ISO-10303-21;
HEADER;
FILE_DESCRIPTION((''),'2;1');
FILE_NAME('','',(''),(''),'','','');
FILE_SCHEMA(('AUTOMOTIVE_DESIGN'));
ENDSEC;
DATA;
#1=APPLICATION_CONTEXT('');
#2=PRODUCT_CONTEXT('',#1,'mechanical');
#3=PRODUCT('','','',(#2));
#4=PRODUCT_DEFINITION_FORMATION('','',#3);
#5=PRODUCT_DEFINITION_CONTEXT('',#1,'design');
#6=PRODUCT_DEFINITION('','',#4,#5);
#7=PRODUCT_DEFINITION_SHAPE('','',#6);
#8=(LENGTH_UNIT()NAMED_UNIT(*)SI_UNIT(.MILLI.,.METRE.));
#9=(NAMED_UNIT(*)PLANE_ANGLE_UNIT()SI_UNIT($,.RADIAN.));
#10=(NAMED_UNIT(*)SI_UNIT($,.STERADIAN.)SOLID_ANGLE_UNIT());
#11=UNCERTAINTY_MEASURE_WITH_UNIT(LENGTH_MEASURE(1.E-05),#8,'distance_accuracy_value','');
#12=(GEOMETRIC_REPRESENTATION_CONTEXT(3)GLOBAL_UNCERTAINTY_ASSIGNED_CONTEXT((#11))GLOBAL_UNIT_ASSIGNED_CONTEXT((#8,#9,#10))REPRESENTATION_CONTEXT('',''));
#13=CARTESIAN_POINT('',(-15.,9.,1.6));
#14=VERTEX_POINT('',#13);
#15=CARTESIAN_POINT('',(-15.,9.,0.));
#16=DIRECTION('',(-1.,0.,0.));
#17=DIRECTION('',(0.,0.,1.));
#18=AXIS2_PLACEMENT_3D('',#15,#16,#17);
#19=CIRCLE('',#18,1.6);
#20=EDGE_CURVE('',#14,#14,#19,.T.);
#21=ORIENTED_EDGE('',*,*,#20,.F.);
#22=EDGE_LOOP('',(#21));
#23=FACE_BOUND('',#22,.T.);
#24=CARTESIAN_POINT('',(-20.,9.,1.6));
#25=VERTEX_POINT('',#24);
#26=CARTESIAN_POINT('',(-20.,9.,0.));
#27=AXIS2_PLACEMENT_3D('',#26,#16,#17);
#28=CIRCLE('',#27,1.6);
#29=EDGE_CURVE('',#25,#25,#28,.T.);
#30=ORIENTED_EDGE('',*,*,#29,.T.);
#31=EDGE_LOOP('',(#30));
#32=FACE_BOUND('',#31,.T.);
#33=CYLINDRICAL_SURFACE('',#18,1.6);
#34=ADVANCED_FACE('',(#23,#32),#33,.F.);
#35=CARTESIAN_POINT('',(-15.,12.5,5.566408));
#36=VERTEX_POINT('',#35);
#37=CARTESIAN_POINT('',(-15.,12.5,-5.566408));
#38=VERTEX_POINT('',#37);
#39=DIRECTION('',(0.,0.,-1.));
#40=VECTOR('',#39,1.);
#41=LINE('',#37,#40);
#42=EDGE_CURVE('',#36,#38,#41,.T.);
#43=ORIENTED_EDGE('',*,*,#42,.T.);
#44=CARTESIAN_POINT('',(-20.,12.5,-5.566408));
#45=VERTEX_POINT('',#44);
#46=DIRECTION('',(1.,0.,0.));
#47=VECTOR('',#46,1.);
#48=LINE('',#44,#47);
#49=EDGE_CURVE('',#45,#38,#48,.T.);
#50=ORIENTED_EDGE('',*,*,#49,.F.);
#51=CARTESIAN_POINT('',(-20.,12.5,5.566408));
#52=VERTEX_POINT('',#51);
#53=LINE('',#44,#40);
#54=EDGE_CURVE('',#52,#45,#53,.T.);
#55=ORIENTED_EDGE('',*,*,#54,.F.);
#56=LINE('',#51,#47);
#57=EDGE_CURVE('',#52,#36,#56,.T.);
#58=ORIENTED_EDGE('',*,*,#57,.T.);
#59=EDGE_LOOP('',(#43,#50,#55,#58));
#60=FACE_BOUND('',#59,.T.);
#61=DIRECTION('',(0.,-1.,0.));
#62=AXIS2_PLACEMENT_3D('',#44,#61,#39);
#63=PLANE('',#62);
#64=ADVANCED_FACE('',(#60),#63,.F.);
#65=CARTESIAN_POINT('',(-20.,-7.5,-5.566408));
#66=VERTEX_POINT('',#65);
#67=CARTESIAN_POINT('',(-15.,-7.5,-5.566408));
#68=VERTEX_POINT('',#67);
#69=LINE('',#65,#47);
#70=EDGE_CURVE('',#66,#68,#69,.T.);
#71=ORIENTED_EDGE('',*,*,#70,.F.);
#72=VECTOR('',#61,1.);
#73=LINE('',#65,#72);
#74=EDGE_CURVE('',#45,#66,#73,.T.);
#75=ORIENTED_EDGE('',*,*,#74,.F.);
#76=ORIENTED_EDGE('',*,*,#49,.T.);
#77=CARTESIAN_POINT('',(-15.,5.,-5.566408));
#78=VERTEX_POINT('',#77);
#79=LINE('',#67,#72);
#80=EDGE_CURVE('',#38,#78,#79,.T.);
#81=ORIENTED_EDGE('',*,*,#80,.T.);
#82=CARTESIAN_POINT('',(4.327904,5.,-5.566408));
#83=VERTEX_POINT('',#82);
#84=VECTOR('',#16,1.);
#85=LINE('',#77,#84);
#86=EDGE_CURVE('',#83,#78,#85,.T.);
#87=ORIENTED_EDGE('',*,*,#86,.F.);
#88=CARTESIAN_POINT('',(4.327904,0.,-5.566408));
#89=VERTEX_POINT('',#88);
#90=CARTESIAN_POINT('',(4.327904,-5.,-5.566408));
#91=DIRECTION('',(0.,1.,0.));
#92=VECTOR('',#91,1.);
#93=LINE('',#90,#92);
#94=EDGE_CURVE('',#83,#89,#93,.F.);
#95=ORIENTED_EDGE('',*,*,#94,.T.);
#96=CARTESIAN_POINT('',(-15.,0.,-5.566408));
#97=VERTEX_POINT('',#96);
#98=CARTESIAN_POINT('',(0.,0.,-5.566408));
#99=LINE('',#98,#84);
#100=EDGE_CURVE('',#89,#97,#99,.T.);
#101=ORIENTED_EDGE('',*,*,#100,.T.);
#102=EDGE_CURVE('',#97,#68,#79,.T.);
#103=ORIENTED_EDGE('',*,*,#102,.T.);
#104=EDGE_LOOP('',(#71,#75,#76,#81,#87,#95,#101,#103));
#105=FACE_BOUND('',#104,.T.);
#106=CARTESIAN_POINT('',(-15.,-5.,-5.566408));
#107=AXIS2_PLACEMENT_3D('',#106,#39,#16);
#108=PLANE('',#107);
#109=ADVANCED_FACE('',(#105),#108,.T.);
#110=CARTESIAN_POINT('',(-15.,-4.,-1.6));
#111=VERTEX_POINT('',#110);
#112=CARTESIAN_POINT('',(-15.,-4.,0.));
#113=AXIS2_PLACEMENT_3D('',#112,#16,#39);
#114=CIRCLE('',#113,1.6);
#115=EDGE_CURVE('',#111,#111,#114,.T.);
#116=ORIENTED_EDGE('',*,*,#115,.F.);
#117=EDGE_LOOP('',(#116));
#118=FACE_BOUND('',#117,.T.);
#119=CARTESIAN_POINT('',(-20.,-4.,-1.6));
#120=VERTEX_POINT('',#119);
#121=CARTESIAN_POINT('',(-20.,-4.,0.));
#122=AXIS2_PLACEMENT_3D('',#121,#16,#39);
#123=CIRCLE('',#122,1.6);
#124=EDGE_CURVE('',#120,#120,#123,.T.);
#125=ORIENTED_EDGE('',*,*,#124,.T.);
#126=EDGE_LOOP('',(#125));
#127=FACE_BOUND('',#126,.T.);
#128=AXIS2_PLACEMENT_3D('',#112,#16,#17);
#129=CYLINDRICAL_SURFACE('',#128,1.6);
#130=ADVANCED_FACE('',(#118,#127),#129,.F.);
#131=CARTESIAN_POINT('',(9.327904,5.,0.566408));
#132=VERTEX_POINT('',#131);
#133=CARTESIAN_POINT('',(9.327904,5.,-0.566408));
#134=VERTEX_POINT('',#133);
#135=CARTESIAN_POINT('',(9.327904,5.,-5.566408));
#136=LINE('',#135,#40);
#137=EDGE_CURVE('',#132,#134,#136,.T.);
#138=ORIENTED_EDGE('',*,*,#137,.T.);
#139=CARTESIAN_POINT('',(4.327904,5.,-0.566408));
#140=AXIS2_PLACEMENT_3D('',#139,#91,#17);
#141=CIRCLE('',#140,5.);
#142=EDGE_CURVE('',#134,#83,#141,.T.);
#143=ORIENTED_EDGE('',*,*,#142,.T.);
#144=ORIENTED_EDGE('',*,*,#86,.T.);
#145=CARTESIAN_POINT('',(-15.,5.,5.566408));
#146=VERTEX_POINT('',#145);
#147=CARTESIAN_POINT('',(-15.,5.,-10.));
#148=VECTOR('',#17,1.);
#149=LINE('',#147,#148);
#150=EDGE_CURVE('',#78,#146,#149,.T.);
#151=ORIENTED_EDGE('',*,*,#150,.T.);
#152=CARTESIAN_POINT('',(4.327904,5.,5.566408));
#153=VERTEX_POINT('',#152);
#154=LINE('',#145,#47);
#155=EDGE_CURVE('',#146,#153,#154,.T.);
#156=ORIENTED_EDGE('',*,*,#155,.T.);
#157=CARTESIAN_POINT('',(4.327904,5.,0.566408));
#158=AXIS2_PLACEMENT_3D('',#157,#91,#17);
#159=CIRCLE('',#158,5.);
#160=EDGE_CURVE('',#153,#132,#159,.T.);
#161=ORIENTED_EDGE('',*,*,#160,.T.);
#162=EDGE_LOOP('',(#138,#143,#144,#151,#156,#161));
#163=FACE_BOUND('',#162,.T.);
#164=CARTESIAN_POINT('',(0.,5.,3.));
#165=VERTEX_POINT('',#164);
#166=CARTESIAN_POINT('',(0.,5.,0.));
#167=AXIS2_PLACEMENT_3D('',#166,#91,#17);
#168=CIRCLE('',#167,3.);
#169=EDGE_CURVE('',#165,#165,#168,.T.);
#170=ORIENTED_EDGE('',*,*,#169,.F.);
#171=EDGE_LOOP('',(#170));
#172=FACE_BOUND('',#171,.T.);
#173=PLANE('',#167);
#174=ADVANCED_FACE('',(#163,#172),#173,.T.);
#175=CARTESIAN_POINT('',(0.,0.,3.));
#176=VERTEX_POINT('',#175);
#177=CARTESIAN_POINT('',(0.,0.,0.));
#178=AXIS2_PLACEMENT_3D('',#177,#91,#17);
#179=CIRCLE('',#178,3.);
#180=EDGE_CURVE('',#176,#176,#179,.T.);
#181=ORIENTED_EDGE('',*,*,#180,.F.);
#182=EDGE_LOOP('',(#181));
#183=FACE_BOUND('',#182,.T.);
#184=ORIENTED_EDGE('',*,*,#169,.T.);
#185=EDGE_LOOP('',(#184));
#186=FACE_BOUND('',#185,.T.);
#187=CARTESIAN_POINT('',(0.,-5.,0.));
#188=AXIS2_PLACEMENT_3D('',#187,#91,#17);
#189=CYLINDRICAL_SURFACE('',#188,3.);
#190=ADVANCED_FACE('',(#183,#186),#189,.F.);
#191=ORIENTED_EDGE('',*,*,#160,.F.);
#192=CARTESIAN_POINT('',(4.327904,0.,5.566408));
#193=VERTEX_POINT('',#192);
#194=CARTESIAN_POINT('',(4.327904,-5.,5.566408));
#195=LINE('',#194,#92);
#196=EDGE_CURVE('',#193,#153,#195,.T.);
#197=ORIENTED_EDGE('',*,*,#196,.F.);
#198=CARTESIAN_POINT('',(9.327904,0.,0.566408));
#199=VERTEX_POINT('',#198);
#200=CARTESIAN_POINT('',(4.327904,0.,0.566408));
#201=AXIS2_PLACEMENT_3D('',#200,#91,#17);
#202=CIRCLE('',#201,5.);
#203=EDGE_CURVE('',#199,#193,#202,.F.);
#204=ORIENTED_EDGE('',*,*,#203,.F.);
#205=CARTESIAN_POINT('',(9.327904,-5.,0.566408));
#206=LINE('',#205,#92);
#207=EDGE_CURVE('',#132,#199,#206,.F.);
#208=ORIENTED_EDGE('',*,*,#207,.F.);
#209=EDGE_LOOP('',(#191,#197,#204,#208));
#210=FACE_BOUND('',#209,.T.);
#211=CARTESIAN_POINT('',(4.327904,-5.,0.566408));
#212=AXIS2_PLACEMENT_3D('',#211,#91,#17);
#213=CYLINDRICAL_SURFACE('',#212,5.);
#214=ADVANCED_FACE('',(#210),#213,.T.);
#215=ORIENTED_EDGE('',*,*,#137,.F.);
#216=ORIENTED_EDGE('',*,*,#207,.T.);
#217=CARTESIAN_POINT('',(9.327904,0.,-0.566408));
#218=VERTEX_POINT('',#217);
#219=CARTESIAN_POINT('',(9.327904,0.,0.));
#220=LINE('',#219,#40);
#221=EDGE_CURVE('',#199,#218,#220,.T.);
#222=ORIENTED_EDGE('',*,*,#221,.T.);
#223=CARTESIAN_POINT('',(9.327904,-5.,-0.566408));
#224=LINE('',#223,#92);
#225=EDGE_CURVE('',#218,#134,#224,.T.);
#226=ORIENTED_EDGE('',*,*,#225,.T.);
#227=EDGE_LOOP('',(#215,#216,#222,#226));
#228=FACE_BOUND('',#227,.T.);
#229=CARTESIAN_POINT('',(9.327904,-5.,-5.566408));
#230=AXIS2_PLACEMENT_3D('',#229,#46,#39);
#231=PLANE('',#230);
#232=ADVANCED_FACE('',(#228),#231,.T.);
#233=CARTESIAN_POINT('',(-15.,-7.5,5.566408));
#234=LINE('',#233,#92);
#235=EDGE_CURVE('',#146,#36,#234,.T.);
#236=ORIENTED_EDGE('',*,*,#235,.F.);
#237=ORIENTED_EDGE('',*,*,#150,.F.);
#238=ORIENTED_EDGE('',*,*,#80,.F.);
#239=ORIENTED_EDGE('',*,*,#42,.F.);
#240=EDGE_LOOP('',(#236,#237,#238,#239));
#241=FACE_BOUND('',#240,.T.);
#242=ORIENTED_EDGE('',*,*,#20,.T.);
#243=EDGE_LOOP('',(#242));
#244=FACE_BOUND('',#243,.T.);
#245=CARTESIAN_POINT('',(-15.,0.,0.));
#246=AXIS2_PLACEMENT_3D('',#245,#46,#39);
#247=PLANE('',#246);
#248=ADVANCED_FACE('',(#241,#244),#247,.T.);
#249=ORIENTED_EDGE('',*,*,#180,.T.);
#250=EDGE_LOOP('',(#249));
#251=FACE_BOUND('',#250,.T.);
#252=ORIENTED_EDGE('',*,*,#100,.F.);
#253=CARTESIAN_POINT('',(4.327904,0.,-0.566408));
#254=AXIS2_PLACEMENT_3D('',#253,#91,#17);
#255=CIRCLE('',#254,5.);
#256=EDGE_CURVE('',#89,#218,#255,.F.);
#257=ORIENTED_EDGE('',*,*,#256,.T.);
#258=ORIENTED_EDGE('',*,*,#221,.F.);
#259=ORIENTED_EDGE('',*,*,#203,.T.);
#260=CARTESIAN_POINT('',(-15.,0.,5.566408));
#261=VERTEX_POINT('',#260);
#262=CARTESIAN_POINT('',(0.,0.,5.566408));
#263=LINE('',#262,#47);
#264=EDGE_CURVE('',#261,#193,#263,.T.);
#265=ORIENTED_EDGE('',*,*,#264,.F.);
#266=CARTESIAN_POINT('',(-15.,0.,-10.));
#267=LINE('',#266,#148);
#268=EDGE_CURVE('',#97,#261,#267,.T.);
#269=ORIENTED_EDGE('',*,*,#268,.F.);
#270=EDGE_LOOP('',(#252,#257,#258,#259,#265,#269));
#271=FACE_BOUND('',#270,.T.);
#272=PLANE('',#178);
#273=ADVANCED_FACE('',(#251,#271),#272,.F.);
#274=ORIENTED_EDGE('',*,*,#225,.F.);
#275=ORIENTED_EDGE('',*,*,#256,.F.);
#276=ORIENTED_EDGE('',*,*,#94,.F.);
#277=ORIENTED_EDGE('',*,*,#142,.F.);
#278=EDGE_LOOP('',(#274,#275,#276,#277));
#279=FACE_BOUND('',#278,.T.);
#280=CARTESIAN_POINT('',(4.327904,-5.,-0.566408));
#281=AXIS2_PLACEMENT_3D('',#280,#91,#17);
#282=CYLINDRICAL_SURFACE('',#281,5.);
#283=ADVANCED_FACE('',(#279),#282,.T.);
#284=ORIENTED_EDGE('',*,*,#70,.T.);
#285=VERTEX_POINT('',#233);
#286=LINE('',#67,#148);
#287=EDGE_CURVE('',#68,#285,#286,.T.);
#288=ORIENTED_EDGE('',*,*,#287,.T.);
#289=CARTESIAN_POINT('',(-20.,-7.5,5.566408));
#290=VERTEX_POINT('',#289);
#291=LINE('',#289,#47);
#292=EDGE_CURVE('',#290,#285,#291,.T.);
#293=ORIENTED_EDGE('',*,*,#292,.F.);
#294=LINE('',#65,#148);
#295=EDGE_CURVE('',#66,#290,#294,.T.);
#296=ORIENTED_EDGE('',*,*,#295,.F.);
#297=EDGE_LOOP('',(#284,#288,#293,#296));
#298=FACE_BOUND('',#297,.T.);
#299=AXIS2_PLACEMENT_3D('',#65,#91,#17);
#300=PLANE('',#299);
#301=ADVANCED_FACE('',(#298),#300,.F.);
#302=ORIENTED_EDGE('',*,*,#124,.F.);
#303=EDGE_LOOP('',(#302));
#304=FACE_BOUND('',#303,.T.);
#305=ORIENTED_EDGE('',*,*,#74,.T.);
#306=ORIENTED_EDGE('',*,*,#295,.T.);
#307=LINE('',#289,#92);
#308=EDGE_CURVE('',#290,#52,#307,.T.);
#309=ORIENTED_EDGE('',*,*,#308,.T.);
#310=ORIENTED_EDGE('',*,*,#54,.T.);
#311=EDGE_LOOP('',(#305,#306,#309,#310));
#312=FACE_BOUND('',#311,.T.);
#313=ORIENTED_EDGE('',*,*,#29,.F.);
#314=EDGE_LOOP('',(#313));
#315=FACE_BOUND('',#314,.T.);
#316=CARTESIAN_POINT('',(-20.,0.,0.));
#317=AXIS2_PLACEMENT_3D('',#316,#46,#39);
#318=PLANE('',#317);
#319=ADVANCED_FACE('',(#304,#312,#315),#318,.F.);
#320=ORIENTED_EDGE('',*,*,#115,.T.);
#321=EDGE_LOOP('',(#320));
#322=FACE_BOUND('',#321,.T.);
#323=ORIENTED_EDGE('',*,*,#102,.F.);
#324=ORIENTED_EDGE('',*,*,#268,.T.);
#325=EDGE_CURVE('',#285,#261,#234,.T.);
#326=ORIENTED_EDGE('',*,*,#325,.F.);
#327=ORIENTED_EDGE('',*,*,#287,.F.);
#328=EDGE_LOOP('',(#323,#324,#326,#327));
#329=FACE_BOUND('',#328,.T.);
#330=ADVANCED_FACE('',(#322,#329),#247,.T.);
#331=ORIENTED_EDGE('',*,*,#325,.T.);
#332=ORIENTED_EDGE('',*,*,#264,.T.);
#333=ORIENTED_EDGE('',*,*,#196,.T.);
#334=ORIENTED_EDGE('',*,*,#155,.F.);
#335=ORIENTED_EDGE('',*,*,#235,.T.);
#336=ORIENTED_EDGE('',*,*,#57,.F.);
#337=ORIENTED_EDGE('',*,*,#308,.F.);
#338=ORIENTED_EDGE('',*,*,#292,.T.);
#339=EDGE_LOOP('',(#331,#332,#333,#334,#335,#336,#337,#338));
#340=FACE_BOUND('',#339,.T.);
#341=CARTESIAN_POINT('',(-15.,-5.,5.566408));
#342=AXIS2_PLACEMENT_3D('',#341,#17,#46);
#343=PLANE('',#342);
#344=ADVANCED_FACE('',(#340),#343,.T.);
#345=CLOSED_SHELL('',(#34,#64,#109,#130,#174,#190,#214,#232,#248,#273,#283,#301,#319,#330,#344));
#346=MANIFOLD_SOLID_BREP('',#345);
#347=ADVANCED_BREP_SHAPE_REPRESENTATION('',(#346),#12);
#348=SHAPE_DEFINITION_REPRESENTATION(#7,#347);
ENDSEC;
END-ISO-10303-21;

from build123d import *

# Parameters (mm, degrees)
SKETCH1_W           = 30
SKETCH1_H           = 20
BOSS_EXTRUDE1_DEPTH = 5
SKETCH2_R           = 3
CUT_EXTRUDE1_DEPTH  = 10
SKETCH3_OUTSIDE_W   = 39.28
SKETCH3_OUTSIDE_H   = 29.28
SKETCH3_OUTSIDE_W_2 = 24.327904035
SKETCH3_OUTSIDE_H_2 = 11.132815548
CUT_EXTRUDE2_DEPTH  = 10
SKETCH4_W           = 11.132815548
SKETCH4_H           = 20
BOSS_EXTRUDE2_DEPTH = 5
SKETCH5_R           = 1.6
CUT_EXTRUDE3_DEPTH  = 5
FILLET2_R           = 5


with BuildPart() as part:
    # Sketch1 → Boss-Extrude1 (new body)
    with BuildSketch(Plane(origin=(0, 0, 0), x_dir=(1, 0, 0), z_dir=(0, 1, 0))):
        Rectangle(SKETCH1_W, SKETCH1_H)
    extrude(amount=BOSS_EXTRUDE1_DEPTH)

    # Sketch2 → Cut-Extrude1 (cut)
    with BuildSketch(Plane(origin=(0, 5, 0), x_dir=(1, 0, 0), z_dir=(0, 1, 0))):
        with Locations(Location((0, 0, 0), (0, 0, 270))):
            Circle(SKETCH2_R)
    extrude(amount=-CUT_EXTRUDE1_DEPTH, mode=Mode.SUBTRACT)

    # Sketch3 outside → Cut-Extrude2 (cut)
    with BuildSketch(Plane(origin=(0, 5, 0), x_dir=(1, 0, 0), z_dir=(0, 1, 0))):
        Rectangle(SKETCH3_OUTSIDE_W, SKETCH3_OUTSIDE_H)
        with Locations((-2.836047983, 0)):
            Rectangle(SKETCH3_OUTSIDE_W_2, SKETCH3_OUTSIDE_H_2, mode=Mode.SUBTRACT)
    extrude(amount=-CUT_EXTRUDE2_DEPTH, mode=Mode.SUBTRACT)

    # Sketch4 → Boss-Extrude2 (add)
    with BuildSketch(Plane.ZY.offset(15)):
        with Locations((0, 2.5)):
            Rectangle(SKETCH4_W, SKETCH4_H)
    extrude(amount=BOSS_EXTRUDE2_DEPTH)

    # Sketch5 → Cut-Extrude3 (cut)
    with BuildSketch(Plane.ZY.offset(20)):
        with Locations((0, 9)):
            Circle(SKETCH5_R)
        with Locations(Location((0, -4, 0), (0, 0, 180))):
            Circle(SKETCH5_R)
    extrude(amount=-CUT_EXTRUDE3_DEPTH, mode=Mode.SUBTRACT)

    # Fillet2
    fillet2_edges = [part.edges().sort_by_distance(p)[0] for p in [
        (9.327904035, 2.5, -5.566407774),
        (9.327904035, 2.5, 5.566407774),
    ]]
    fillet(fillet2_edges, radius=FILLET2_R)


solid = part.part
